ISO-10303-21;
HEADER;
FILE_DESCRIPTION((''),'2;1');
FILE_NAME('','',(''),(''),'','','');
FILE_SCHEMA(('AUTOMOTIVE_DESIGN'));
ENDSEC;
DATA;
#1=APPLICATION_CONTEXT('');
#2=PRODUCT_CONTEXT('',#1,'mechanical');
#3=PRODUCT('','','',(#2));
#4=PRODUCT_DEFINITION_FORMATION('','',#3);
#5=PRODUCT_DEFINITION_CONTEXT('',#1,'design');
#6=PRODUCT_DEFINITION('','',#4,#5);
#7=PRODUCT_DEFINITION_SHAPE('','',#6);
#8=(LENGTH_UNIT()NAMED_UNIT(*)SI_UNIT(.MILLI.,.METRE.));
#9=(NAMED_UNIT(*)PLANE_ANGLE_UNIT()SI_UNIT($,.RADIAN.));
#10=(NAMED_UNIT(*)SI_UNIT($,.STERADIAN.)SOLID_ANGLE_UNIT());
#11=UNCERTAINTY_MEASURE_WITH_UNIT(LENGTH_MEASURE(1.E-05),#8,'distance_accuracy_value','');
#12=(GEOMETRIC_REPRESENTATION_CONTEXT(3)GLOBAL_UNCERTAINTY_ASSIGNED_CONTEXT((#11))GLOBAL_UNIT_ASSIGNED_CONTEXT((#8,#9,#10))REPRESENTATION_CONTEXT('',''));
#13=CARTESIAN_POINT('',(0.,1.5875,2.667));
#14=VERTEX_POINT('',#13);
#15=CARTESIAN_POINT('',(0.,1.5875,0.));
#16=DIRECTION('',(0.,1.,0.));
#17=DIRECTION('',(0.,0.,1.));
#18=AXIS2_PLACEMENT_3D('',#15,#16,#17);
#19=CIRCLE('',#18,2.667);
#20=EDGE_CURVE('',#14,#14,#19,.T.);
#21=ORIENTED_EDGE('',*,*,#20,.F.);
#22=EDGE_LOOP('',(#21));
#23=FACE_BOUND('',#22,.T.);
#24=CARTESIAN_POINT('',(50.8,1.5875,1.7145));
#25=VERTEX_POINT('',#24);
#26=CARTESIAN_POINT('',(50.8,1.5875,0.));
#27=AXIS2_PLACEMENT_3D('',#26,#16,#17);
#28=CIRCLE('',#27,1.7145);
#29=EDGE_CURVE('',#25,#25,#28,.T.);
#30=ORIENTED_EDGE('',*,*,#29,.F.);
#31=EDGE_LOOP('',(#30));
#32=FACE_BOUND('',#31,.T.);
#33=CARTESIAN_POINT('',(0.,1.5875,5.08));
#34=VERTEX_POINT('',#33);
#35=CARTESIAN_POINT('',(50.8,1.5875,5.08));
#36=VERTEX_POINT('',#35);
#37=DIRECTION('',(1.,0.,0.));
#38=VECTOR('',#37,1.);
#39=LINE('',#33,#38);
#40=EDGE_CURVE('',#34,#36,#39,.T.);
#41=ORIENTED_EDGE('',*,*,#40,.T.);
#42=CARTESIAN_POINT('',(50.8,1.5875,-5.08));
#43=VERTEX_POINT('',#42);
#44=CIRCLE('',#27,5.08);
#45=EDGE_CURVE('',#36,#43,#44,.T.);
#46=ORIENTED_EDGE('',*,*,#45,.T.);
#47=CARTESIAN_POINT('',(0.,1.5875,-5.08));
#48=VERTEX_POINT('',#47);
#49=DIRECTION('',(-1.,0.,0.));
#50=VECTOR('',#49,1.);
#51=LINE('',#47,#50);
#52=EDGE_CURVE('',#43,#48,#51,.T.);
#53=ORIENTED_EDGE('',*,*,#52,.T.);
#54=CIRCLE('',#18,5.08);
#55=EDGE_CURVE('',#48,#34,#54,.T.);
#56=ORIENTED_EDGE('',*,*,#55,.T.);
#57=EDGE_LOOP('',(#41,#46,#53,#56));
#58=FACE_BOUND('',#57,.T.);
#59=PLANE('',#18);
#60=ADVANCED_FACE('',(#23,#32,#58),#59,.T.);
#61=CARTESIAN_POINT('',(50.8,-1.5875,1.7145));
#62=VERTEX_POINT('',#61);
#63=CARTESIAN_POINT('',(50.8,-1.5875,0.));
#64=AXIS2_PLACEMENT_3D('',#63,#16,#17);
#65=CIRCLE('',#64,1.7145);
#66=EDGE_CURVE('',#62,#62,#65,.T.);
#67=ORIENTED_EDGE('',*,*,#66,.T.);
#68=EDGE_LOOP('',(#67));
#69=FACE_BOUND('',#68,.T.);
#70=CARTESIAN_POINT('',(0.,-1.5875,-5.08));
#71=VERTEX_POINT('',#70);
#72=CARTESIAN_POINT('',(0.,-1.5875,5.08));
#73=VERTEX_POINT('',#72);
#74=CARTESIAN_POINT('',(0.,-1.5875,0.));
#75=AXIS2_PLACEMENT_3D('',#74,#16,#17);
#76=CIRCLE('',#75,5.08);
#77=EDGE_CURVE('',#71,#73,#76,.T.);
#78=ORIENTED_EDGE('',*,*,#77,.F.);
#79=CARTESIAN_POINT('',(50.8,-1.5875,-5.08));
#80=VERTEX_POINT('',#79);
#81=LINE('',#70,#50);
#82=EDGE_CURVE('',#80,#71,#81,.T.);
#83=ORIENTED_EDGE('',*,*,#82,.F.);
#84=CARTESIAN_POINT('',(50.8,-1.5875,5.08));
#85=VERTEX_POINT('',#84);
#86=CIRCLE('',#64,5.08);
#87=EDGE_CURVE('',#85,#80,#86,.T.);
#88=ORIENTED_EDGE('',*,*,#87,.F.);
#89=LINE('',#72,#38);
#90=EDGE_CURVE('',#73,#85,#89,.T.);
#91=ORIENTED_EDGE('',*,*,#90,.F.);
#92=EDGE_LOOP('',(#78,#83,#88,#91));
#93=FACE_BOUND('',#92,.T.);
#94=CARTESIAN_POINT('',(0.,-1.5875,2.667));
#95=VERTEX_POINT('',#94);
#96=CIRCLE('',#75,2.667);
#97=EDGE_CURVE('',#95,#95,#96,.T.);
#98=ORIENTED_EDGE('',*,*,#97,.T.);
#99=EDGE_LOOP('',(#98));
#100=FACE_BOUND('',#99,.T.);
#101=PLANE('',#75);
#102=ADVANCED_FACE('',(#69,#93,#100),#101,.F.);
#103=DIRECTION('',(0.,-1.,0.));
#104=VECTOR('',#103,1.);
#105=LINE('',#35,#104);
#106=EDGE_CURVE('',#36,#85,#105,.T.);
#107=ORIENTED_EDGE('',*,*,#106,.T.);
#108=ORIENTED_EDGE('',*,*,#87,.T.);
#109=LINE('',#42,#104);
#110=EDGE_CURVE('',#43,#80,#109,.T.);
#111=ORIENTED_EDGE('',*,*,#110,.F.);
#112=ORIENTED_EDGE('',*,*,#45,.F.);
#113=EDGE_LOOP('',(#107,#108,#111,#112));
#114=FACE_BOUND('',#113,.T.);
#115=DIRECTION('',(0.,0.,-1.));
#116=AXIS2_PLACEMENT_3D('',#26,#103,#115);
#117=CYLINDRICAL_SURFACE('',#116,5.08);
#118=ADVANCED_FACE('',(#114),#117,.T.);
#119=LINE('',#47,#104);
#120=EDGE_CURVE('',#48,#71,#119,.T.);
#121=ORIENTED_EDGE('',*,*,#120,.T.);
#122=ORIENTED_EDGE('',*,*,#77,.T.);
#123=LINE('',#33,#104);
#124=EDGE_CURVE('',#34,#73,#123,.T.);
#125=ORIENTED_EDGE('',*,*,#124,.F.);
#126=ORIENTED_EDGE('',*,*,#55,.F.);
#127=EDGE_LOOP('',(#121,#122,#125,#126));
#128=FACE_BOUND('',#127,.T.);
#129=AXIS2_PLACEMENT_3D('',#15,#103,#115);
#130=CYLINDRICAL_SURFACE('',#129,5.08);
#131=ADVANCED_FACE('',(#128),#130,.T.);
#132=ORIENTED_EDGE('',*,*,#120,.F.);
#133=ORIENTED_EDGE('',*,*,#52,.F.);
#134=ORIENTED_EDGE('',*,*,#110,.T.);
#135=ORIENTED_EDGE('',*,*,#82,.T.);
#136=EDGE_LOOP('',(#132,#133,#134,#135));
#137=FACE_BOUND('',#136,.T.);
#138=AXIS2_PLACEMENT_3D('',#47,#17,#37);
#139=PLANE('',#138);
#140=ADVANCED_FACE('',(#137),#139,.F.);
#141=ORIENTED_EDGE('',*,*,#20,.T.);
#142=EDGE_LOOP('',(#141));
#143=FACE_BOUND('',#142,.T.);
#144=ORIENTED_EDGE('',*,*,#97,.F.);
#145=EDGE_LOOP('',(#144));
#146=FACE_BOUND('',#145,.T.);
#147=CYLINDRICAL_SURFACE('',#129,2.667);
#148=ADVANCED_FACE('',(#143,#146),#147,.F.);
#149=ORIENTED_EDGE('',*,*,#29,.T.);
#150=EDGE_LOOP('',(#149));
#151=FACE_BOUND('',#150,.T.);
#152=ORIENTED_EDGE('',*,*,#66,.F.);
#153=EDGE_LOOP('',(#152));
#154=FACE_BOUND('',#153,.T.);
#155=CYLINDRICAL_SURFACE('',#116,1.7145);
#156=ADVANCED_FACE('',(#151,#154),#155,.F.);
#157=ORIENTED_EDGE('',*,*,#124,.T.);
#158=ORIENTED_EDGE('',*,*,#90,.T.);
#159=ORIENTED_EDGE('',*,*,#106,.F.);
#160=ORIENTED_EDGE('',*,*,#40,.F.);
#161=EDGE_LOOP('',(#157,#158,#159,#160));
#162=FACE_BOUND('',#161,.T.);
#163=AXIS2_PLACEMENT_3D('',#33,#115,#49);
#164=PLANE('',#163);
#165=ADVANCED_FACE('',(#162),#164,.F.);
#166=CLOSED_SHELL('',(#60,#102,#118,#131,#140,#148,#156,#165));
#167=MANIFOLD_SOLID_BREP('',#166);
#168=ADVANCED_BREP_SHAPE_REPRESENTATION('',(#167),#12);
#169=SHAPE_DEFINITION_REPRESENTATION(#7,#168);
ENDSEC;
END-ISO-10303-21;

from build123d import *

# Parameters (mm, degrees)
SKETCH1_R           = 2.667
SKETCH1_R_2         = 1.7145
BOSS_EXTRUDE1_DEPTH = 1.5875


with BuildPart() as part:
    # Sketch1 → Boss-Extrude1 (new, symmetric)
    with BuildSketch(Plane(origin=(0, 0, 0), x_dir=(1, 0, 0), z_dir=(0, 1, 0))):
        with BuildLine():
            Line((0, 5.08), (50.8, 5.08))
            ThreePointArc((50.8, 5.08), (55.88, 0), (50.8, -5.08))
            Line((50.8, -5.08), (0, -5.08))
            ThreePointArc((0, -5.08), (-5.08, 0), (0, 5.08))
        make_face()
        with Locations(Location((0, 0, 0), (0, 0, 270))):
            Circle(SKETCH1_R, mode=Mode.SUBTRACT)
        with Locations(Location((50.8, 0, 0), (0, 0, 270))):
            Circle(SKETCH1_R_2, mode=Mode.SUBTRACT)
    extrude(amount=BOSS_EXTRUDE1_DEPTH, both=True)


solid = part.part
